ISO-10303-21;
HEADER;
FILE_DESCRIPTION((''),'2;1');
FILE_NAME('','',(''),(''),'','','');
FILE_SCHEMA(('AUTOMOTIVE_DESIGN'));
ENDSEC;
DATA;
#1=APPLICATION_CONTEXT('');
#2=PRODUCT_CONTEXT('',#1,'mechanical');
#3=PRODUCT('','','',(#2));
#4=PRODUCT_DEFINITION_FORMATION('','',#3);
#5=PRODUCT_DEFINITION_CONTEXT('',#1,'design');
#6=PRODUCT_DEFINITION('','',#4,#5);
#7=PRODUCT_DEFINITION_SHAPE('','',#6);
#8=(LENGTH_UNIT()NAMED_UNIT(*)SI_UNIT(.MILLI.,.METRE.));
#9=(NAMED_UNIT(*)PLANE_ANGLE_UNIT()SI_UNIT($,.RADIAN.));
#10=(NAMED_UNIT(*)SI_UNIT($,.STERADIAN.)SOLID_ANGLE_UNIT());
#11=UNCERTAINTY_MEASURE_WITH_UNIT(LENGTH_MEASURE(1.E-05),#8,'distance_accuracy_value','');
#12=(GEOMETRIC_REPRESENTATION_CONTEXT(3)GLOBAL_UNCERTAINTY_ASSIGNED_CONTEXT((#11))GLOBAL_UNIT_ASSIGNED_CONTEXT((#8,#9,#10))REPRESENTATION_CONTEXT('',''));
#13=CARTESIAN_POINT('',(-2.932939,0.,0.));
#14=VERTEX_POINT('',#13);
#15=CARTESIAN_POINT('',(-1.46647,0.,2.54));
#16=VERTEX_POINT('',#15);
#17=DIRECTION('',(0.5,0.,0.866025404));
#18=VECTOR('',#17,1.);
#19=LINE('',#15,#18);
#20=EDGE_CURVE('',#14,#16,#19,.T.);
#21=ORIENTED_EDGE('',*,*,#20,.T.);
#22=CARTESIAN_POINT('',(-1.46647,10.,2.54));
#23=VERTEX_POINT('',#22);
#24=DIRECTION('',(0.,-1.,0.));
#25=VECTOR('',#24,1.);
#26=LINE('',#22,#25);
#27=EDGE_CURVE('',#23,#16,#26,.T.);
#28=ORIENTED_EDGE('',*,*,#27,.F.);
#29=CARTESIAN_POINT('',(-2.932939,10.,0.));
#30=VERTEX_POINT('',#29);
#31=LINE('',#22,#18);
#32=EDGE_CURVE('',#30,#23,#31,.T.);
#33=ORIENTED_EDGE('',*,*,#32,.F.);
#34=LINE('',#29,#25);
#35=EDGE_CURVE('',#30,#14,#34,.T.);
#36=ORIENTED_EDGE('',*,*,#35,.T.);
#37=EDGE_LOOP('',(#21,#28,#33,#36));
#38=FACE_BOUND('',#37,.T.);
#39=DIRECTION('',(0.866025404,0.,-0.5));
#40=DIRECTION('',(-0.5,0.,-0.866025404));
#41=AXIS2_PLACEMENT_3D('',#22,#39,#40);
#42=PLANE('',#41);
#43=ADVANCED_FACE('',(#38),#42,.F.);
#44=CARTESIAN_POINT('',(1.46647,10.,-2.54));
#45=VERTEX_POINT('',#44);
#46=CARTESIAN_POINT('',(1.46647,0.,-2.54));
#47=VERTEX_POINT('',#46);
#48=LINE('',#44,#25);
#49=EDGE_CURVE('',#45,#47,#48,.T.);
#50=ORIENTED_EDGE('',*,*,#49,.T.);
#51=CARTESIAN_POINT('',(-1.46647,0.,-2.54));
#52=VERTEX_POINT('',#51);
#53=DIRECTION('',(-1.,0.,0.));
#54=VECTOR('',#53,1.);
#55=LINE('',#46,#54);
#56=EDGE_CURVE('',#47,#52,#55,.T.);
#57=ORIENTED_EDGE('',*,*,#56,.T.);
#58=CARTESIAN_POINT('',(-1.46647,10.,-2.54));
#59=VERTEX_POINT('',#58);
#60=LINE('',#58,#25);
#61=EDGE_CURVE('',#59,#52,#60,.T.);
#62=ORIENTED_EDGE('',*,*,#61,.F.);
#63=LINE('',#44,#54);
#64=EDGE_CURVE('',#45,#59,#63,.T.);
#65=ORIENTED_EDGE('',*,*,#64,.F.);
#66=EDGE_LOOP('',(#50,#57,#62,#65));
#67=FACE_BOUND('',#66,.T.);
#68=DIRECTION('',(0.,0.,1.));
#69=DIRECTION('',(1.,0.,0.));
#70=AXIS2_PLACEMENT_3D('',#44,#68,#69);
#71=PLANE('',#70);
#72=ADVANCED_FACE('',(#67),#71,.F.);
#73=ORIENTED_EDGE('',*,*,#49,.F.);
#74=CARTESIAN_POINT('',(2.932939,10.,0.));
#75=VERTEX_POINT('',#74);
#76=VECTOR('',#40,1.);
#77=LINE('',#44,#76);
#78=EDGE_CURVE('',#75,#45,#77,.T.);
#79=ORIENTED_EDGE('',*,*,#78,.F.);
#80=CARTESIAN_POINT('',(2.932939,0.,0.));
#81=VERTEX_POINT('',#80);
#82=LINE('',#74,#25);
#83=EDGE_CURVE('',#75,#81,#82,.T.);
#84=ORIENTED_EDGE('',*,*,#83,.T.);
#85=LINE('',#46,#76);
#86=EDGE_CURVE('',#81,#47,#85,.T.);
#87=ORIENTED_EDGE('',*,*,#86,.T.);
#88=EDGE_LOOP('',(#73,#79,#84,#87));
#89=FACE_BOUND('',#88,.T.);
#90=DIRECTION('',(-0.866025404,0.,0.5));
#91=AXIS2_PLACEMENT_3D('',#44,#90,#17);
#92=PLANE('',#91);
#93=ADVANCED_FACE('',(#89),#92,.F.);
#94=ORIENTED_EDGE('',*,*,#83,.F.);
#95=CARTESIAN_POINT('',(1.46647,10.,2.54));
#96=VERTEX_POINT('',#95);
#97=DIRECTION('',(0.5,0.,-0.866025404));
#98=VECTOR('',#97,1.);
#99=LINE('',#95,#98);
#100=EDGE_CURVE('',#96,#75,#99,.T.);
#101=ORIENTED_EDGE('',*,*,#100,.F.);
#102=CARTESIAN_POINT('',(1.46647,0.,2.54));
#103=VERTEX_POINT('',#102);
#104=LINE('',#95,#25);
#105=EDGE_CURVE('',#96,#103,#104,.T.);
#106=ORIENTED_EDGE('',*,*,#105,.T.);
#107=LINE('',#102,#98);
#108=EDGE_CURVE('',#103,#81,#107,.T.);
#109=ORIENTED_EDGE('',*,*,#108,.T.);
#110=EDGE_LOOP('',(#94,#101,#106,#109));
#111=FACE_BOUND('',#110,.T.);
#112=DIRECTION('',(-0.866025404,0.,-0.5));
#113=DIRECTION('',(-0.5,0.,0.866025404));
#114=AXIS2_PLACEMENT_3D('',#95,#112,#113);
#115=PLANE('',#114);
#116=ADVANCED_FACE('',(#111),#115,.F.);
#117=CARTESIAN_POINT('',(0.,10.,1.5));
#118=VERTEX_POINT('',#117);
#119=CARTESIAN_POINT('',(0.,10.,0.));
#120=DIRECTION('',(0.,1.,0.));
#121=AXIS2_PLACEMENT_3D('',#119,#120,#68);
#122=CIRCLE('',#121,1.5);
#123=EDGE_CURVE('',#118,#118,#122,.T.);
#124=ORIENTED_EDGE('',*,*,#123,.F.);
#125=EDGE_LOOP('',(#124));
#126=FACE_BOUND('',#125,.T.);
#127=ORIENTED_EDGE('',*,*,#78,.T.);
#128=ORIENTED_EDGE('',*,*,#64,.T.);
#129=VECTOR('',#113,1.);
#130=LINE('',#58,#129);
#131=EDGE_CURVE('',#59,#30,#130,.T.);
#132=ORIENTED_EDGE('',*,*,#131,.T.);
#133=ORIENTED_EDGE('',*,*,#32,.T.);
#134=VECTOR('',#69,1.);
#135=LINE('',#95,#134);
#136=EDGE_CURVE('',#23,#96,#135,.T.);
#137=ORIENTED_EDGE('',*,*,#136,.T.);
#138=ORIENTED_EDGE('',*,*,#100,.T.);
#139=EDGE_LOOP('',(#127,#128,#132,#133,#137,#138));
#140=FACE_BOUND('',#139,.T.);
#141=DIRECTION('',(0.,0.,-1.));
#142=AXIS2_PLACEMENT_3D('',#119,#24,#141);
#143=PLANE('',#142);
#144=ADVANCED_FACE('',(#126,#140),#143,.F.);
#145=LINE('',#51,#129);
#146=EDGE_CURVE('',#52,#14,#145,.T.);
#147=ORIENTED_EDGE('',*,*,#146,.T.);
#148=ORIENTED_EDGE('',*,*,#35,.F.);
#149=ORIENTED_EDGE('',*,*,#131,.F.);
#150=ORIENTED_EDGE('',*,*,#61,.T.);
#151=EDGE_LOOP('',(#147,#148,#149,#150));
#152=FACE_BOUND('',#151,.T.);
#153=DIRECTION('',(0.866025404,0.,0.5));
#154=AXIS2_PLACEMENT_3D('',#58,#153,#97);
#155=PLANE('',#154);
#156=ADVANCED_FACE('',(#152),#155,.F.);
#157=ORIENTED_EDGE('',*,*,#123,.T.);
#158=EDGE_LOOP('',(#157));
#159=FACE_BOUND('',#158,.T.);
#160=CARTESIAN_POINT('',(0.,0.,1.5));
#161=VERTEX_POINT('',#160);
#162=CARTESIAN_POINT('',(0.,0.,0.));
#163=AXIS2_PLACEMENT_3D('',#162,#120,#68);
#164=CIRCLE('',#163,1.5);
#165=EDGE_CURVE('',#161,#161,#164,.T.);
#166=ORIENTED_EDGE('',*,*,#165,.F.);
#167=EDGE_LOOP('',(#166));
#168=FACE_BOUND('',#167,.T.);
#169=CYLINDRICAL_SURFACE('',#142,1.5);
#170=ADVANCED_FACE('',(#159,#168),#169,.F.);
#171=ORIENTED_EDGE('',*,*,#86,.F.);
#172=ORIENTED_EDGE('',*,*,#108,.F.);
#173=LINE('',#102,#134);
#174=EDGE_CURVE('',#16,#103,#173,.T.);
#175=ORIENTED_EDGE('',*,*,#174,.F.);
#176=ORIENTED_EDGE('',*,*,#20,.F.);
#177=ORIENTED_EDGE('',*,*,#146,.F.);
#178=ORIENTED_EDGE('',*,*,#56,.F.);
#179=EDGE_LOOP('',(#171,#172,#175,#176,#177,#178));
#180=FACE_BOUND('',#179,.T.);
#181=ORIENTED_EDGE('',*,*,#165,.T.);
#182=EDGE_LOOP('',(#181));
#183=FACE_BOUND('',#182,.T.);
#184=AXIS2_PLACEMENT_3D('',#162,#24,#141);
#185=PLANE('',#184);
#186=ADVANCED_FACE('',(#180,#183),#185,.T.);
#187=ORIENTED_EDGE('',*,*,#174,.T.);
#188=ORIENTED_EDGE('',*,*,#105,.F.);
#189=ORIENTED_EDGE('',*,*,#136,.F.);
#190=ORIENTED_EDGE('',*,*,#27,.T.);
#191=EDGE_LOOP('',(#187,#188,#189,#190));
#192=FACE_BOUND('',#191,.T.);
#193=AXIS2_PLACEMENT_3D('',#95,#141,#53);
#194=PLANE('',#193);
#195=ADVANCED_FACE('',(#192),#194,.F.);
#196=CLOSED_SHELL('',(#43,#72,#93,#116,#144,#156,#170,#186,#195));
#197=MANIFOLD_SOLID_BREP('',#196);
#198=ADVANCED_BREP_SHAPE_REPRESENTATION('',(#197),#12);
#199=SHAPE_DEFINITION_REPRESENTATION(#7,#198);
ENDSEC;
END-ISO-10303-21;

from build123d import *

# Parameters (mm, degrees)
SKETCH1_R           = 1.5
BOSS_EXTRUDE1_DEPTH = 10


with BuildPart() as part:
    # Sketch1 → Boss-Extrude1 (new body)
    with BuildSketch(Plane(origin=(0, 0, 0), x_dir=(1, 0, 0), z_dir=(0, 1, 0))):
        Polygon((1.466469684, 2.54), (-1.466469684, 2.54), (-2.932939367, 0), (-1.466469684, -2.54), (1.466469684, -2.54), (2.932939367, 0), align=None)
        with Locations(Location((0, 0, 0), (0, 0, 270))):
            Circle(SKETCH1_R, mode=Mode.SUBTRACT)
    extrude(amount=BOSS_EXTRUDE1_DEPTH)


solid = part.part
